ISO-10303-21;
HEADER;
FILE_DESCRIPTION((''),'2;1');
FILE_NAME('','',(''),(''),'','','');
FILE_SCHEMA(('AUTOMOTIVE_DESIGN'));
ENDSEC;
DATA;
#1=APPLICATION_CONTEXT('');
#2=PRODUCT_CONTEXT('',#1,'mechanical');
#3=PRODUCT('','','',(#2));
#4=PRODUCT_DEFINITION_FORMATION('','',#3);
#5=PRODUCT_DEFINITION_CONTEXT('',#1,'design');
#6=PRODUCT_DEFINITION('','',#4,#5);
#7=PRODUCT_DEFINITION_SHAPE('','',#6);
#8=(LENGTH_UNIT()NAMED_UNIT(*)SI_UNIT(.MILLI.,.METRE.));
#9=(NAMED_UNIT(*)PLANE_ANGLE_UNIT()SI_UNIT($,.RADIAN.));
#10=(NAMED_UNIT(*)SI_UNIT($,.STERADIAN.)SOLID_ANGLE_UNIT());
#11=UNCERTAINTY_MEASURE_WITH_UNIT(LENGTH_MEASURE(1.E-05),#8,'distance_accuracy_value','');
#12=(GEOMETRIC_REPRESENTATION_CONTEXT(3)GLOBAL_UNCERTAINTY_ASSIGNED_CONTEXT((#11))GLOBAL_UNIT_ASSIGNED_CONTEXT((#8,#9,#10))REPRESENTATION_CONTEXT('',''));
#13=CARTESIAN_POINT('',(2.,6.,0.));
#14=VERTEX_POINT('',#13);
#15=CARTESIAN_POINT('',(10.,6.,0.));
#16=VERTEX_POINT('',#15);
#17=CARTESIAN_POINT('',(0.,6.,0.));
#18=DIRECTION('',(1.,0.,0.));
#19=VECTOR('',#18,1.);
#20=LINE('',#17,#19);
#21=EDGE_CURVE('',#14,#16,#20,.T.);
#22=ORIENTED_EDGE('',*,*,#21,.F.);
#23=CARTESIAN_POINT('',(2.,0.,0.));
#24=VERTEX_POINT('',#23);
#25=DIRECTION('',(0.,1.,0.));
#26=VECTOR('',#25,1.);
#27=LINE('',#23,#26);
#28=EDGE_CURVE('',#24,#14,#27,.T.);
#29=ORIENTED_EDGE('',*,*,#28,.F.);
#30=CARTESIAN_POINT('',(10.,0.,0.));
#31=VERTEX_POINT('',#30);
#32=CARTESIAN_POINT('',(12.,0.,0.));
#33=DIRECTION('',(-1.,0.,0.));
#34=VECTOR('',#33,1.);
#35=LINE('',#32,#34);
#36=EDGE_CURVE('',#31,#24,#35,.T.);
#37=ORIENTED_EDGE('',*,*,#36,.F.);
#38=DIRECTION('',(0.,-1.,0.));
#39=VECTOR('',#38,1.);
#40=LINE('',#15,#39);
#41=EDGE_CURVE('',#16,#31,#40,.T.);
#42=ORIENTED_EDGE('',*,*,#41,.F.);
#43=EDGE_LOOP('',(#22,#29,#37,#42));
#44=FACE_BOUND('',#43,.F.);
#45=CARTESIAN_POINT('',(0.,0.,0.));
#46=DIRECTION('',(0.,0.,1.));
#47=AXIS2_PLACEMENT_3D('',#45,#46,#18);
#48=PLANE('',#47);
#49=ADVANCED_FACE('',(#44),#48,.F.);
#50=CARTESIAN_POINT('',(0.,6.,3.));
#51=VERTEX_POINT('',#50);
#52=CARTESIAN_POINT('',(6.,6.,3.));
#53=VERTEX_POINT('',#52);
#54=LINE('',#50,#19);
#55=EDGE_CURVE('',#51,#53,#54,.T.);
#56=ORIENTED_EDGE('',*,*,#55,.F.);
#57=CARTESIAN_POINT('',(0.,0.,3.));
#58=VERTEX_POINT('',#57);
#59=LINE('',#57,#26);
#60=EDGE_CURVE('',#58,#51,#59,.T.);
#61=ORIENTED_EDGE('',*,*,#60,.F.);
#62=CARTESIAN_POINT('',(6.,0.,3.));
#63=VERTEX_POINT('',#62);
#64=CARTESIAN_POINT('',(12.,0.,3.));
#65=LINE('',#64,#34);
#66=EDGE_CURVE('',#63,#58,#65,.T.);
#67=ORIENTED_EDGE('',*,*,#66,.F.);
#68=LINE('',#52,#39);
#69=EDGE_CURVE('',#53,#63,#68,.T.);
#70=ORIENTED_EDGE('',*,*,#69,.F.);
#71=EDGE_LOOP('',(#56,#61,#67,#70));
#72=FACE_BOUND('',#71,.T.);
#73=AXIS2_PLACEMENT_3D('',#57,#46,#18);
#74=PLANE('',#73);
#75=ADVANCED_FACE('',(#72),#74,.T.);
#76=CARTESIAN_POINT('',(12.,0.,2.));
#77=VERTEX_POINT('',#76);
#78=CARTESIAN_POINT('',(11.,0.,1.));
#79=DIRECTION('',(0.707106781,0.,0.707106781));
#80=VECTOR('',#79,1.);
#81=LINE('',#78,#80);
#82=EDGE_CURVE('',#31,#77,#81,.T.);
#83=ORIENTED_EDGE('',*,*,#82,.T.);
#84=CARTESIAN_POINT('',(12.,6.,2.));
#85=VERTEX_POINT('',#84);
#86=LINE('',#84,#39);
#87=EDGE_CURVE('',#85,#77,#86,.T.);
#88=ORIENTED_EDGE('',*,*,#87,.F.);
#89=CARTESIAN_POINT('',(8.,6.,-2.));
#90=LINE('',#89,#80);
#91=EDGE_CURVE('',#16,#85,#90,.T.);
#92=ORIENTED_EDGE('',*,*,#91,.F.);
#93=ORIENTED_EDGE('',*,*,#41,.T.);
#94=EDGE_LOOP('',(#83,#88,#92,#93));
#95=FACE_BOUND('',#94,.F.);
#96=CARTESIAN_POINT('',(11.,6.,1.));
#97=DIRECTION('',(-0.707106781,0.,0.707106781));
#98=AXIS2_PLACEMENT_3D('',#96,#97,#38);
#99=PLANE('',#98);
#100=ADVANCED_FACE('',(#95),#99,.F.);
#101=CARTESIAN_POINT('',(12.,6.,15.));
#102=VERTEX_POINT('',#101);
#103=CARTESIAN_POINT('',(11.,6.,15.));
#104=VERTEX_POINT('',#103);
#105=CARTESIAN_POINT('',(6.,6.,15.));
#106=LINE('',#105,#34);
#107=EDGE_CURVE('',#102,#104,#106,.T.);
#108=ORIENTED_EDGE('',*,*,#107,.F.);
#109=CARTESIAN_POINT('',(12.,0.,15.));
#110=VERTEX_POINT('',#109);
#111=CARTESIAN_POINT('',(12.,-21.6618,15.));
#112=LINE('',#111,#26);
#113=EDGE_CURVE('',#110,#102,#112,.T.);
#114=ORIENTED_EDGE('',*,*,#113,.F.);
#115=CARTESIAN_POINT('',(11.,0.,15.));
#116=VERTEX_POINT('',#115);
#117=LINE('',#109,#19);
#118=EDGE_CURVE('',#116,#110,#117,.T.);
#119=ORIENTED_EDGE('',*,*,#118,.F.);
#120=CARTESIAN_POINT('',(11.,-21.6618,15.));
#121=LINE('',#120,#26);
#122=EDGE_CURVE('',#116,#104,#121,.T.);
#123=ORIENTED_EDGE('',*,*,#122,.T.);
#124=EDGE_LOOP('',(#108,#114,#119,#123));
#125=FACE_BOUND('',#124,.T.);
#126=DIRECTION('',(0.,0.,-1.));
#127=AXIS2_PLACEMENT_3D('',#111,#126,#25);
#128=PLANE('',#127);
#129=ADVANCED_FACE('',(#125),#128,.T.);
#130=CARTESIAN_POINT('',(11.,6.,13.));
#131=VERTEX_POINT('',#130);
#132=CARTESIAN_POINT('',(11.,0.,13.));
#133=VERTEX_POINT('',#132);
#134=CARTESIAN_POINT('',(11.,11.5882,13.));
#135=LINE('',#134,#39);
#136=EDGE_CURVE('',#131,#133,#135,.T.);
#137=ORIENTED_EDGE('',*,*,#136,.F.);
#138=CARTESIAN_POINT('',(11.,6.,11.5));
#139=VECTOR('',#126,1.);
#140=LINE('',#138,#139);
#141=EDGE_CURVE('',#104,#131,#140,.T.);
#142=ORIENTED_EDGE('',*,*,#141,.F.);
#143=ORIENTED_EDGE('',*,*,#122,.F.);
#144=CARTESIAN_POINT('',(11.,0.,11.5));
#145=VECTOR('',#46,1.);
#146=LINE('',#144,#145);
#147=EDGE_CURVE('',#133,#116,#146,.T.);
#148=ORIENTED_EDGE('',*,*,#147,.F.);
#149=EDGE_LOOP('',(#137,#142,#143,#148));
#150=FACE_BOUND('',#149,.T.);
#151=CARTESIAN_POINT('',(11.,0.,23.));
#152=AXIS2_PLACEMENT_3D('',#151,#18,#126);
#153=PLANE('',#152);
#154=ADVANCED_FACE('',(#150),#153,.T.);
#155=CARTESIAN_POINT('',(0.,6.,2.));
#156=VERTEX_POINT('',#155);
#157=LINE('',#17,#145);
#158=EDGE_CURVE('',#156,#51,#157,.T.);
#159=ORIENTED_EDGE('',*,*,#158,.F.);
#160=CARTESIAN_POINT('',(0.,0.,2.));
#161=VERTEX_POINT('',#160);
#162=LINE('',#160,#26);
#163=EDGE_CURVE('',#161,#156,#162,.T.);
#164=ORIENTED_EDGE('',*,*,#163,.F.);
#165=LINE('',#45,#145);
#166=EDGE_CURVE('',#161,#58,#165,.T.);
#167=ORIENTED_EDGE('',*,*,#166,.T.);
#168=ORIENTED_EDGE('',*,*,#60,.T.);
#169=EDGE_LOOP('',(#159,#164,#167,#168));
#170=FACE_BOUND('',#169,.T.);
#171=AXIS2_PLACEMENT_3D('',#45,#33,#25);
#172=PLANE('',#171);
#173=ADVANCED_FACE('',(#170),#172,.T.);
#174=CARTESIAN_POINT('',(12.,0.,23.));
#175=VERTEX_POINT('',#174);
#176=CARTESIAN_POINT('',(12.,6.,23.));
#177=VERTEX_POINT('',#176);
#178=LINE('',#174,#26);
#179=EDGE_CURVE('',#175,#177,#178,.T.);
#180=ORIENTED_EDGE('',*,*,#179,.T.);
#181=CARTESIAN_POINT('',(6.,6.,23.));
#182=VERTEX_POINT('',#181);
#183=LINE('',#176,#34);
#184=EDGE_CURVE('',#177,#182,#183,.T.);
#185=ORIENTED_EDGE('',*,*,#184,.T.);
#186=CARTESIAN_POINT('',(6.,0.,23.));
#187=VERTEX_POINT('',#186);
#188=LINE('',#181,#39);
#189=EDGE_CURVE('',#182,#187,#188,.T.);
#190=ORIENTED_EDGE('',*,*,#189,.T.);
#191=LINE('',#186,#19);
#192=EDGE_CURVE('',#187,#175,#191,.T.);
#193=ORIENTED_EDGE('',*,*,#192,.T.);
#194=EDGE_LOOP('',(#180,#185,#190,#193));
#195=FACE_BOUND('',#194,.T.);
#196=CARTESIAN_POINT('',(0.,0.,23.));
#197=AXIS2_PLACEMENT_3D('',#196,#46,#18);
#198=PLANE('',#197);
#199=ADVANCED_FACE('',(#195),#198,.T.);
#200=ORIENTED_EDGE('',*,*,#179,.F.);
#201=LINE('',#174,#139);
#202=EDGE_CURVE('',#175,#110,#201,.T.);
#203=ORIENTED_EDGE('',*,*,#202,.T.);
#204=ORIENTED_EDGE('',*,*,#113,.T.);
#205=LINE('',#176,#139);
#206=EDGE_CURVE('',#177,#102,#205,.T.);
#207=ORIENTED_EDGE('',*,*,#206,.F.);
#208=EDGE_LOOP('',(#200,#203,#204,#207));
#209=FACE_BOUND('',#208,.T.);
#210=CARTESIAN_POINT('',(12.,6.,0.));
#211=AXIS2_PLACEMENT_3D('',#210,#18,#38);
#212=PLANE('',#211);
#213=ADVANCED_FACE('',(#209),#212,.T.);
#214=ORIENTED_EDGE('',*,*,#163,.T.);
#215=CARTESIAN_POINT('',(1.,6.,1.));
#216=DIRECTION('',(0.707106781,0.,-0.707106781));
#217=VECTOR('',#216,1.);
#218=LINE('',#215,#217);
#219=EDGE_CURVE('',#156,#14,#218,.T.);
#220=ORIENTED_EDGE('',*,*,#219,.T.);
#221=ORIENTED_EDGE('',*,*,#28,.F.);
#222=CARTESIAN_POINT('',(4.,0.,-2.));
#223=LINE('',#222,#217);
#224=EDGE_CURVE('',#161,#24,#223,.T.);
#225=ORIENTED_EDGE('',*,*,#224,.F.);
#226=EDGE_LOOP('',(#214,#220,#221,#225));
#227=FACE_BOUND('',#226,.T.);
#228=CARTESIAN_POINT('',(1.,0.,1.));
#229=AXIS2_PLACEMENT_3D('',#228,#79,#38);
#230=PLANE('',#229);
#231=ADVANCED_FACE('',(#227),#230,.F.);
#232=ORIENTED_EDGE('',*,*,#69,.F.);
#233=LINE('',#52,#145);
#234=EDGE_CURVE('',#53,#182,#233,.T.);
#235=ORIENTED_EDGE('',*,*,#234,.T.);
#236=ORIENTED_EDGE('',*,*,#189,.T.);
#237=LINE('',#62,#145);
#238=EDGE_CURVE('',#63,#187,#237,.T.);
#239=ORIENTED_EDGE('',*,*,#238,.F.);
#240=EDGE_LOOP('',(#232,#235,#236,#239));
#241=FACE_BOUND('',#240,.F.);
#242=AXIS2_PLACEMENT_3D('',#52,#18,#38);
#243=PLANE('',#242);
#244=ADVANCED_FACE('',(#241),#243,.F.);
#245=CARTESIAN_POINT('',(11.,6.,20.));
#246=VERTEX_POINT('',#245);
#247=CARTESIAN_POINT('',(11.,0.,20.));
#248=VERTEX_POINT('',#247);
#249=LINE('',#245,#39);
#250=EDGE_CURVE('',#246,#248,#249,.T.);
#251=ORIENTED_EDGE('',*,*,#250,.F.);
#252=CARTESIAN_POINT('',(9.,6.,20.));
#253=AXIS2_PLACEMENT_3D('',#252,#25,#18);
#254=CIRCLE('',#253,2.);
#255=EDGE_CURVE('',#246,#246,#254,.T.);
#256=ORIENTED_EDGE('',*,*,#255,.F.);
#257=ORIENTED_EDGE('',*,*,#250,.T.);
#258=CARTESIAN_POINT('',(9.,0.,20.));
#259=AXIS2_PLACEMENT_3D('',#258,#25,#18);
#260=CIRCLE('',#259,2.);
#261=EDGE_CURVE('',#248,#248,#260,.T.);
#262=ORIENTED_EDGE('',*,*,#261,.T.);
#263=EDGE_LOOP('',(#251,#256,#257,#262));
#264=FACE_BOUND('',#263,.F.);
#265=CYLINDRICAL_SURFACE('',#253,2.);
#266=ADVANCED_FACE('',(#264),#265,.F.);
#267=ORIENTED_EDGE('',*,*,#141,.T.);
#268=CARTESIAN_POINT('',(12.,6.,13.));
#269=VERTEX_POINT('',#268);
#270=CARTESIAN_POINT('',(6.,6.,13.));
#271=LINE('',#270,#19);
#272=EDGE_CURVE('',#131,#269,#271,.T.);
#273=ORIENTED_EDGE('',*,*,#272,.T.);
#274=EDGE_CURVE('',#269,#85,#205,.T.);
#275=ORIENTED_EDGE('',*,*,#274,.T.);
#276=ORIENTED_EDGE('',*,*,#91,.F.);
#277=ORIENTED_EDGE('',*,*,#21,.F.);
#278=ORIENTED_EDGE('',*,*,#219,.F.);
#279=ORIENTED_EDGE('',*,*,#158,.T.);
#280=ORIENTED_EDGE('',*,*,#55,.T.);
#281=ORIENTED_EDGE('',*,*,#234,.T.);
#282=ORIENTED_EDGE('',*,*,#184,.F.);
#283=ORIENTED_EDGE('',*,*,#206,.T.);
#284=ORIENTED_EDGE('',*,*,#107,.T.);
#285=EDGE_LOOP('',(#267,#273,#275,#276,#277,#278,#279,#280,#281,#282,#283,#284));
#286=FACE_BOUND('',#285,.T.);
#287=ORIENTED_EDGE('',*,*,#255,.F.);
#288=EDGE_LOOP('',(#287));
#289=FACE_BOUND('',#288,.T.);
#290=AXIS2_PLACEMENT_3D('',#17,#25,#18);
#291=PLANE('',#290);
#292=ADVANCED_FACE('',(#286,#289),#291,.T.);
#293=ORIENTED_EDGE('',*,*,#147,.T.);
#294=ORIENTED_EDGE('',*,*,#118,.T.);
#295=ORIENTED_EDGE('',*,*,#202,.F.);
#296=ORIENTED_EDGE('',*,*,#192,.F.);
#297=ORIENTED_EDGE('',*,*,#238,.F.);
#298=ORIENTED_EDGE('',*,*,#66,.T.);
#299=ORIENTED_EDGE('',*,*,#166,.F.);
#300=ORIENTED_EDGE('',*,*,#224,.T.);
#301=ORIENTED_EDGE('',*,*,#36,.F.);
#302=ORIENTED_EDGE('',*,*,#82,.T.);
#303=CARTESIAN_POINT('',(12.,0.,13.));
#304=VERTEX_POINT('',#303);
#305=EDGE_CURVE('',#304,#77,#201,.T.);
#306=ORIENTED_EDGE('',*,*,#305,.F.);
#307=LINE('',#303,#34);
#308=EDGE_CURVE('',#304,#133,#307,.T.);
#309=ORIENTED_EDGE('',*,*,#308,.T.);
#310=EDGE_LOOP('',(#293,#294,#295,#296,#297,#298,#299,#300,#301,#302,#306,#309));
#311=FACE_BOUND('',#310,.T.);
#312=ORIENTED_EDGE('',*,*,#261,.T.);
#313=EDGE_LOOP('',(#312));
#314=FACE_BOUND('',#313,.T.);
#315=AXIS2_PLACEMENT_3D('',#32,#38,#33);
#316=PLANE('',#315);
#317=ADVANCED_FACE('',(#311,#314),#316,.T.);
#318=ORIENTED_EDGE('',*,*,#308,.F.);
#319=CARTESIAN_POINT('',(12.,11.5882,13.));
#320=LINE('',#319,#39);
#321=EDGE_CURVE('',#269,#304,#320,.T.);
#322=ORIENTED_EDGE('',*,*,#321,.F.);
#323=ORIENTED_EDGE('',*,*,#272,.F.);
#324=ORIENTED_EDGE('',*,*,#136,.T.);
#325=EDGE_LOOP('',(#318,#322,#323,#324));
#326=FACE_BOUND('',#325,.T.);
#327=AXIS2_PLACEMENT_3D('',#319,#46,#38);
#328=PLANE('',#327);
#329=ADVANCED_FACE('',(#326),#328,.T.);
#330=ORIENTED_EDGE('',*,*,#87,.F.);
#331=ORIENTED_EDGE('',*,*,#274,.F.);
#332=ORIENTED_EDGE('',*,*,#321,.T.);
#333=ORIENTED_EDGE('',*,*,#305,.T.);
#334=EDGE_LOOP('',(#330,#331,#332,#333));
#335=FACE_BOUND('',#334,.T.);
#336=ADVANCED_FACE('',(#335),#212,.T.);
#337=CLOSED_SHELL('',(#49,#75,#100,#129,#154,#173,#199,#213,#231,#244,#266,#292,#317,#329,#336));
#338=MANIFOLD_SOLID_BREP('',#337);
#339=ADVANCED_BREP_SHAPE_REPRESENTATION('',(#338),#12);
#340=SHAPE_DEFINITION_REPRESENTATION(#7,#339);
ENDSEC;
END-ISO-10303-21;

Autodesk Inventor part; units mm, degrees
ref_plane "YZ Plane" through (0, 0, 0) normal (1, 0, 0) x (0, 1, 0)
ref_plane "XZ Plane" through (0, 0, 0) normal (0, 1, 0) x (-1, 0, 0)
ref_plane "XY Plane" through (0, 0, 0) normal (0, 0, 1) x (1, 0, 0)
sketch "Sketch1" plane through (0, 0, 0) normal (0, 0, 1) x (1, 0, 0)
  line L0 (0, 17) -> (12, 17)
  line L1 (12, 17) -> (12, 11)
  line L2 (12, 11) -> (0, 11)
  line L3 (0, 11) -> (0, 17)
  line L4 (0, 6) -> (12, 6)
  line L5 (12, 6) -> (12, 0)
  line L6 (12, 0) -> (0, 0)
  line L7 (0, 0) -> (0, 6)
  dimension "d0" = 6
  dimension "d1" = 5
  dimension "d2" = 12
extrude "Extrusion1" add sketch "Sketch1" along normal blind 3 contours L4 L5 L6 L7
sketch "Sketch2" plane through (0, 0, 3) normal (0, 0, 1) x (1, 0, 0)
  line L0 (16.7529, 15.7773) -> (28.7529, 15.7773) projected
  line L1 (28.7529, 22.7773) -> (22.7529, 22.7773)
  line L2 (22.7529, 22.7773) -> (22.7529, 15.7773)
  line L3 (22.7529, 15.7773) -> (28.7529, 15.7773)
  line L4 (28.7529, 15.7773) -> (28.7529, 22.7773)
  line L5 (28.7529, 22.7773) -> (16.7529, 22.7773) projected
  line L6 (28.7529, 15.7773) -> (28.7529, 22.7773) projected
  line L7 (12, 6) -> (6, 6)
  line L8 (6, 6) -> (6, 0)
  line L9 (6, 0) -> (12, 0)
  line L10 (12, 0) -> (12, 6)
  line L11 (0, 0) -> (12, 0) projected
  dimension "d5" = 6
extrude "Extrusion2" add sketch "Sketch2" along normal blind 20 contours L10 L9 L8 L7
sketch "Sketch3" plane through (0, 6, 0) normal (0, 1, 0) x (1, 0, 0)
  circle A0 centre (9, -20) radius 2
  line L0 (12, -23) -> (6, -23)
  line L1 (12, 0) -> (12, -23)
  point P0 (-16.7529, 0)
  dimension "d8" = 3
  dimension "d9" = 3
  dimension "d10" = 4
extrude "Extrusion3" cut sketch "Sketch3" against normal blind 30
chamfer "Chamfer1" distance 2 angle 45 2 edges at (12, 3, 0) (0, 3, 0)
sketch "Sketch4" plane through (12, 0, 23) normal (1, 0, 0) x (0, 0, -1)
  line L0 (8, 11.5882) -> (10, 11.5882)
  line L1 (10, 11.5882) -> (10, -21.6618)
  line L2 (10, -21.6618) -> (8, -21.6618)
  line L3 (8, -21.6618) -> (8, 11.5882)
  line L4 (0, 0) -> (0, 7)
  point P0 (23, -15.7773)
  dimension "d16" = 2
  dimension "d17" = 8
extrude "Extrusion4" cut sketch "Sketch4" against normal blind 1
properties part number "arms01"
